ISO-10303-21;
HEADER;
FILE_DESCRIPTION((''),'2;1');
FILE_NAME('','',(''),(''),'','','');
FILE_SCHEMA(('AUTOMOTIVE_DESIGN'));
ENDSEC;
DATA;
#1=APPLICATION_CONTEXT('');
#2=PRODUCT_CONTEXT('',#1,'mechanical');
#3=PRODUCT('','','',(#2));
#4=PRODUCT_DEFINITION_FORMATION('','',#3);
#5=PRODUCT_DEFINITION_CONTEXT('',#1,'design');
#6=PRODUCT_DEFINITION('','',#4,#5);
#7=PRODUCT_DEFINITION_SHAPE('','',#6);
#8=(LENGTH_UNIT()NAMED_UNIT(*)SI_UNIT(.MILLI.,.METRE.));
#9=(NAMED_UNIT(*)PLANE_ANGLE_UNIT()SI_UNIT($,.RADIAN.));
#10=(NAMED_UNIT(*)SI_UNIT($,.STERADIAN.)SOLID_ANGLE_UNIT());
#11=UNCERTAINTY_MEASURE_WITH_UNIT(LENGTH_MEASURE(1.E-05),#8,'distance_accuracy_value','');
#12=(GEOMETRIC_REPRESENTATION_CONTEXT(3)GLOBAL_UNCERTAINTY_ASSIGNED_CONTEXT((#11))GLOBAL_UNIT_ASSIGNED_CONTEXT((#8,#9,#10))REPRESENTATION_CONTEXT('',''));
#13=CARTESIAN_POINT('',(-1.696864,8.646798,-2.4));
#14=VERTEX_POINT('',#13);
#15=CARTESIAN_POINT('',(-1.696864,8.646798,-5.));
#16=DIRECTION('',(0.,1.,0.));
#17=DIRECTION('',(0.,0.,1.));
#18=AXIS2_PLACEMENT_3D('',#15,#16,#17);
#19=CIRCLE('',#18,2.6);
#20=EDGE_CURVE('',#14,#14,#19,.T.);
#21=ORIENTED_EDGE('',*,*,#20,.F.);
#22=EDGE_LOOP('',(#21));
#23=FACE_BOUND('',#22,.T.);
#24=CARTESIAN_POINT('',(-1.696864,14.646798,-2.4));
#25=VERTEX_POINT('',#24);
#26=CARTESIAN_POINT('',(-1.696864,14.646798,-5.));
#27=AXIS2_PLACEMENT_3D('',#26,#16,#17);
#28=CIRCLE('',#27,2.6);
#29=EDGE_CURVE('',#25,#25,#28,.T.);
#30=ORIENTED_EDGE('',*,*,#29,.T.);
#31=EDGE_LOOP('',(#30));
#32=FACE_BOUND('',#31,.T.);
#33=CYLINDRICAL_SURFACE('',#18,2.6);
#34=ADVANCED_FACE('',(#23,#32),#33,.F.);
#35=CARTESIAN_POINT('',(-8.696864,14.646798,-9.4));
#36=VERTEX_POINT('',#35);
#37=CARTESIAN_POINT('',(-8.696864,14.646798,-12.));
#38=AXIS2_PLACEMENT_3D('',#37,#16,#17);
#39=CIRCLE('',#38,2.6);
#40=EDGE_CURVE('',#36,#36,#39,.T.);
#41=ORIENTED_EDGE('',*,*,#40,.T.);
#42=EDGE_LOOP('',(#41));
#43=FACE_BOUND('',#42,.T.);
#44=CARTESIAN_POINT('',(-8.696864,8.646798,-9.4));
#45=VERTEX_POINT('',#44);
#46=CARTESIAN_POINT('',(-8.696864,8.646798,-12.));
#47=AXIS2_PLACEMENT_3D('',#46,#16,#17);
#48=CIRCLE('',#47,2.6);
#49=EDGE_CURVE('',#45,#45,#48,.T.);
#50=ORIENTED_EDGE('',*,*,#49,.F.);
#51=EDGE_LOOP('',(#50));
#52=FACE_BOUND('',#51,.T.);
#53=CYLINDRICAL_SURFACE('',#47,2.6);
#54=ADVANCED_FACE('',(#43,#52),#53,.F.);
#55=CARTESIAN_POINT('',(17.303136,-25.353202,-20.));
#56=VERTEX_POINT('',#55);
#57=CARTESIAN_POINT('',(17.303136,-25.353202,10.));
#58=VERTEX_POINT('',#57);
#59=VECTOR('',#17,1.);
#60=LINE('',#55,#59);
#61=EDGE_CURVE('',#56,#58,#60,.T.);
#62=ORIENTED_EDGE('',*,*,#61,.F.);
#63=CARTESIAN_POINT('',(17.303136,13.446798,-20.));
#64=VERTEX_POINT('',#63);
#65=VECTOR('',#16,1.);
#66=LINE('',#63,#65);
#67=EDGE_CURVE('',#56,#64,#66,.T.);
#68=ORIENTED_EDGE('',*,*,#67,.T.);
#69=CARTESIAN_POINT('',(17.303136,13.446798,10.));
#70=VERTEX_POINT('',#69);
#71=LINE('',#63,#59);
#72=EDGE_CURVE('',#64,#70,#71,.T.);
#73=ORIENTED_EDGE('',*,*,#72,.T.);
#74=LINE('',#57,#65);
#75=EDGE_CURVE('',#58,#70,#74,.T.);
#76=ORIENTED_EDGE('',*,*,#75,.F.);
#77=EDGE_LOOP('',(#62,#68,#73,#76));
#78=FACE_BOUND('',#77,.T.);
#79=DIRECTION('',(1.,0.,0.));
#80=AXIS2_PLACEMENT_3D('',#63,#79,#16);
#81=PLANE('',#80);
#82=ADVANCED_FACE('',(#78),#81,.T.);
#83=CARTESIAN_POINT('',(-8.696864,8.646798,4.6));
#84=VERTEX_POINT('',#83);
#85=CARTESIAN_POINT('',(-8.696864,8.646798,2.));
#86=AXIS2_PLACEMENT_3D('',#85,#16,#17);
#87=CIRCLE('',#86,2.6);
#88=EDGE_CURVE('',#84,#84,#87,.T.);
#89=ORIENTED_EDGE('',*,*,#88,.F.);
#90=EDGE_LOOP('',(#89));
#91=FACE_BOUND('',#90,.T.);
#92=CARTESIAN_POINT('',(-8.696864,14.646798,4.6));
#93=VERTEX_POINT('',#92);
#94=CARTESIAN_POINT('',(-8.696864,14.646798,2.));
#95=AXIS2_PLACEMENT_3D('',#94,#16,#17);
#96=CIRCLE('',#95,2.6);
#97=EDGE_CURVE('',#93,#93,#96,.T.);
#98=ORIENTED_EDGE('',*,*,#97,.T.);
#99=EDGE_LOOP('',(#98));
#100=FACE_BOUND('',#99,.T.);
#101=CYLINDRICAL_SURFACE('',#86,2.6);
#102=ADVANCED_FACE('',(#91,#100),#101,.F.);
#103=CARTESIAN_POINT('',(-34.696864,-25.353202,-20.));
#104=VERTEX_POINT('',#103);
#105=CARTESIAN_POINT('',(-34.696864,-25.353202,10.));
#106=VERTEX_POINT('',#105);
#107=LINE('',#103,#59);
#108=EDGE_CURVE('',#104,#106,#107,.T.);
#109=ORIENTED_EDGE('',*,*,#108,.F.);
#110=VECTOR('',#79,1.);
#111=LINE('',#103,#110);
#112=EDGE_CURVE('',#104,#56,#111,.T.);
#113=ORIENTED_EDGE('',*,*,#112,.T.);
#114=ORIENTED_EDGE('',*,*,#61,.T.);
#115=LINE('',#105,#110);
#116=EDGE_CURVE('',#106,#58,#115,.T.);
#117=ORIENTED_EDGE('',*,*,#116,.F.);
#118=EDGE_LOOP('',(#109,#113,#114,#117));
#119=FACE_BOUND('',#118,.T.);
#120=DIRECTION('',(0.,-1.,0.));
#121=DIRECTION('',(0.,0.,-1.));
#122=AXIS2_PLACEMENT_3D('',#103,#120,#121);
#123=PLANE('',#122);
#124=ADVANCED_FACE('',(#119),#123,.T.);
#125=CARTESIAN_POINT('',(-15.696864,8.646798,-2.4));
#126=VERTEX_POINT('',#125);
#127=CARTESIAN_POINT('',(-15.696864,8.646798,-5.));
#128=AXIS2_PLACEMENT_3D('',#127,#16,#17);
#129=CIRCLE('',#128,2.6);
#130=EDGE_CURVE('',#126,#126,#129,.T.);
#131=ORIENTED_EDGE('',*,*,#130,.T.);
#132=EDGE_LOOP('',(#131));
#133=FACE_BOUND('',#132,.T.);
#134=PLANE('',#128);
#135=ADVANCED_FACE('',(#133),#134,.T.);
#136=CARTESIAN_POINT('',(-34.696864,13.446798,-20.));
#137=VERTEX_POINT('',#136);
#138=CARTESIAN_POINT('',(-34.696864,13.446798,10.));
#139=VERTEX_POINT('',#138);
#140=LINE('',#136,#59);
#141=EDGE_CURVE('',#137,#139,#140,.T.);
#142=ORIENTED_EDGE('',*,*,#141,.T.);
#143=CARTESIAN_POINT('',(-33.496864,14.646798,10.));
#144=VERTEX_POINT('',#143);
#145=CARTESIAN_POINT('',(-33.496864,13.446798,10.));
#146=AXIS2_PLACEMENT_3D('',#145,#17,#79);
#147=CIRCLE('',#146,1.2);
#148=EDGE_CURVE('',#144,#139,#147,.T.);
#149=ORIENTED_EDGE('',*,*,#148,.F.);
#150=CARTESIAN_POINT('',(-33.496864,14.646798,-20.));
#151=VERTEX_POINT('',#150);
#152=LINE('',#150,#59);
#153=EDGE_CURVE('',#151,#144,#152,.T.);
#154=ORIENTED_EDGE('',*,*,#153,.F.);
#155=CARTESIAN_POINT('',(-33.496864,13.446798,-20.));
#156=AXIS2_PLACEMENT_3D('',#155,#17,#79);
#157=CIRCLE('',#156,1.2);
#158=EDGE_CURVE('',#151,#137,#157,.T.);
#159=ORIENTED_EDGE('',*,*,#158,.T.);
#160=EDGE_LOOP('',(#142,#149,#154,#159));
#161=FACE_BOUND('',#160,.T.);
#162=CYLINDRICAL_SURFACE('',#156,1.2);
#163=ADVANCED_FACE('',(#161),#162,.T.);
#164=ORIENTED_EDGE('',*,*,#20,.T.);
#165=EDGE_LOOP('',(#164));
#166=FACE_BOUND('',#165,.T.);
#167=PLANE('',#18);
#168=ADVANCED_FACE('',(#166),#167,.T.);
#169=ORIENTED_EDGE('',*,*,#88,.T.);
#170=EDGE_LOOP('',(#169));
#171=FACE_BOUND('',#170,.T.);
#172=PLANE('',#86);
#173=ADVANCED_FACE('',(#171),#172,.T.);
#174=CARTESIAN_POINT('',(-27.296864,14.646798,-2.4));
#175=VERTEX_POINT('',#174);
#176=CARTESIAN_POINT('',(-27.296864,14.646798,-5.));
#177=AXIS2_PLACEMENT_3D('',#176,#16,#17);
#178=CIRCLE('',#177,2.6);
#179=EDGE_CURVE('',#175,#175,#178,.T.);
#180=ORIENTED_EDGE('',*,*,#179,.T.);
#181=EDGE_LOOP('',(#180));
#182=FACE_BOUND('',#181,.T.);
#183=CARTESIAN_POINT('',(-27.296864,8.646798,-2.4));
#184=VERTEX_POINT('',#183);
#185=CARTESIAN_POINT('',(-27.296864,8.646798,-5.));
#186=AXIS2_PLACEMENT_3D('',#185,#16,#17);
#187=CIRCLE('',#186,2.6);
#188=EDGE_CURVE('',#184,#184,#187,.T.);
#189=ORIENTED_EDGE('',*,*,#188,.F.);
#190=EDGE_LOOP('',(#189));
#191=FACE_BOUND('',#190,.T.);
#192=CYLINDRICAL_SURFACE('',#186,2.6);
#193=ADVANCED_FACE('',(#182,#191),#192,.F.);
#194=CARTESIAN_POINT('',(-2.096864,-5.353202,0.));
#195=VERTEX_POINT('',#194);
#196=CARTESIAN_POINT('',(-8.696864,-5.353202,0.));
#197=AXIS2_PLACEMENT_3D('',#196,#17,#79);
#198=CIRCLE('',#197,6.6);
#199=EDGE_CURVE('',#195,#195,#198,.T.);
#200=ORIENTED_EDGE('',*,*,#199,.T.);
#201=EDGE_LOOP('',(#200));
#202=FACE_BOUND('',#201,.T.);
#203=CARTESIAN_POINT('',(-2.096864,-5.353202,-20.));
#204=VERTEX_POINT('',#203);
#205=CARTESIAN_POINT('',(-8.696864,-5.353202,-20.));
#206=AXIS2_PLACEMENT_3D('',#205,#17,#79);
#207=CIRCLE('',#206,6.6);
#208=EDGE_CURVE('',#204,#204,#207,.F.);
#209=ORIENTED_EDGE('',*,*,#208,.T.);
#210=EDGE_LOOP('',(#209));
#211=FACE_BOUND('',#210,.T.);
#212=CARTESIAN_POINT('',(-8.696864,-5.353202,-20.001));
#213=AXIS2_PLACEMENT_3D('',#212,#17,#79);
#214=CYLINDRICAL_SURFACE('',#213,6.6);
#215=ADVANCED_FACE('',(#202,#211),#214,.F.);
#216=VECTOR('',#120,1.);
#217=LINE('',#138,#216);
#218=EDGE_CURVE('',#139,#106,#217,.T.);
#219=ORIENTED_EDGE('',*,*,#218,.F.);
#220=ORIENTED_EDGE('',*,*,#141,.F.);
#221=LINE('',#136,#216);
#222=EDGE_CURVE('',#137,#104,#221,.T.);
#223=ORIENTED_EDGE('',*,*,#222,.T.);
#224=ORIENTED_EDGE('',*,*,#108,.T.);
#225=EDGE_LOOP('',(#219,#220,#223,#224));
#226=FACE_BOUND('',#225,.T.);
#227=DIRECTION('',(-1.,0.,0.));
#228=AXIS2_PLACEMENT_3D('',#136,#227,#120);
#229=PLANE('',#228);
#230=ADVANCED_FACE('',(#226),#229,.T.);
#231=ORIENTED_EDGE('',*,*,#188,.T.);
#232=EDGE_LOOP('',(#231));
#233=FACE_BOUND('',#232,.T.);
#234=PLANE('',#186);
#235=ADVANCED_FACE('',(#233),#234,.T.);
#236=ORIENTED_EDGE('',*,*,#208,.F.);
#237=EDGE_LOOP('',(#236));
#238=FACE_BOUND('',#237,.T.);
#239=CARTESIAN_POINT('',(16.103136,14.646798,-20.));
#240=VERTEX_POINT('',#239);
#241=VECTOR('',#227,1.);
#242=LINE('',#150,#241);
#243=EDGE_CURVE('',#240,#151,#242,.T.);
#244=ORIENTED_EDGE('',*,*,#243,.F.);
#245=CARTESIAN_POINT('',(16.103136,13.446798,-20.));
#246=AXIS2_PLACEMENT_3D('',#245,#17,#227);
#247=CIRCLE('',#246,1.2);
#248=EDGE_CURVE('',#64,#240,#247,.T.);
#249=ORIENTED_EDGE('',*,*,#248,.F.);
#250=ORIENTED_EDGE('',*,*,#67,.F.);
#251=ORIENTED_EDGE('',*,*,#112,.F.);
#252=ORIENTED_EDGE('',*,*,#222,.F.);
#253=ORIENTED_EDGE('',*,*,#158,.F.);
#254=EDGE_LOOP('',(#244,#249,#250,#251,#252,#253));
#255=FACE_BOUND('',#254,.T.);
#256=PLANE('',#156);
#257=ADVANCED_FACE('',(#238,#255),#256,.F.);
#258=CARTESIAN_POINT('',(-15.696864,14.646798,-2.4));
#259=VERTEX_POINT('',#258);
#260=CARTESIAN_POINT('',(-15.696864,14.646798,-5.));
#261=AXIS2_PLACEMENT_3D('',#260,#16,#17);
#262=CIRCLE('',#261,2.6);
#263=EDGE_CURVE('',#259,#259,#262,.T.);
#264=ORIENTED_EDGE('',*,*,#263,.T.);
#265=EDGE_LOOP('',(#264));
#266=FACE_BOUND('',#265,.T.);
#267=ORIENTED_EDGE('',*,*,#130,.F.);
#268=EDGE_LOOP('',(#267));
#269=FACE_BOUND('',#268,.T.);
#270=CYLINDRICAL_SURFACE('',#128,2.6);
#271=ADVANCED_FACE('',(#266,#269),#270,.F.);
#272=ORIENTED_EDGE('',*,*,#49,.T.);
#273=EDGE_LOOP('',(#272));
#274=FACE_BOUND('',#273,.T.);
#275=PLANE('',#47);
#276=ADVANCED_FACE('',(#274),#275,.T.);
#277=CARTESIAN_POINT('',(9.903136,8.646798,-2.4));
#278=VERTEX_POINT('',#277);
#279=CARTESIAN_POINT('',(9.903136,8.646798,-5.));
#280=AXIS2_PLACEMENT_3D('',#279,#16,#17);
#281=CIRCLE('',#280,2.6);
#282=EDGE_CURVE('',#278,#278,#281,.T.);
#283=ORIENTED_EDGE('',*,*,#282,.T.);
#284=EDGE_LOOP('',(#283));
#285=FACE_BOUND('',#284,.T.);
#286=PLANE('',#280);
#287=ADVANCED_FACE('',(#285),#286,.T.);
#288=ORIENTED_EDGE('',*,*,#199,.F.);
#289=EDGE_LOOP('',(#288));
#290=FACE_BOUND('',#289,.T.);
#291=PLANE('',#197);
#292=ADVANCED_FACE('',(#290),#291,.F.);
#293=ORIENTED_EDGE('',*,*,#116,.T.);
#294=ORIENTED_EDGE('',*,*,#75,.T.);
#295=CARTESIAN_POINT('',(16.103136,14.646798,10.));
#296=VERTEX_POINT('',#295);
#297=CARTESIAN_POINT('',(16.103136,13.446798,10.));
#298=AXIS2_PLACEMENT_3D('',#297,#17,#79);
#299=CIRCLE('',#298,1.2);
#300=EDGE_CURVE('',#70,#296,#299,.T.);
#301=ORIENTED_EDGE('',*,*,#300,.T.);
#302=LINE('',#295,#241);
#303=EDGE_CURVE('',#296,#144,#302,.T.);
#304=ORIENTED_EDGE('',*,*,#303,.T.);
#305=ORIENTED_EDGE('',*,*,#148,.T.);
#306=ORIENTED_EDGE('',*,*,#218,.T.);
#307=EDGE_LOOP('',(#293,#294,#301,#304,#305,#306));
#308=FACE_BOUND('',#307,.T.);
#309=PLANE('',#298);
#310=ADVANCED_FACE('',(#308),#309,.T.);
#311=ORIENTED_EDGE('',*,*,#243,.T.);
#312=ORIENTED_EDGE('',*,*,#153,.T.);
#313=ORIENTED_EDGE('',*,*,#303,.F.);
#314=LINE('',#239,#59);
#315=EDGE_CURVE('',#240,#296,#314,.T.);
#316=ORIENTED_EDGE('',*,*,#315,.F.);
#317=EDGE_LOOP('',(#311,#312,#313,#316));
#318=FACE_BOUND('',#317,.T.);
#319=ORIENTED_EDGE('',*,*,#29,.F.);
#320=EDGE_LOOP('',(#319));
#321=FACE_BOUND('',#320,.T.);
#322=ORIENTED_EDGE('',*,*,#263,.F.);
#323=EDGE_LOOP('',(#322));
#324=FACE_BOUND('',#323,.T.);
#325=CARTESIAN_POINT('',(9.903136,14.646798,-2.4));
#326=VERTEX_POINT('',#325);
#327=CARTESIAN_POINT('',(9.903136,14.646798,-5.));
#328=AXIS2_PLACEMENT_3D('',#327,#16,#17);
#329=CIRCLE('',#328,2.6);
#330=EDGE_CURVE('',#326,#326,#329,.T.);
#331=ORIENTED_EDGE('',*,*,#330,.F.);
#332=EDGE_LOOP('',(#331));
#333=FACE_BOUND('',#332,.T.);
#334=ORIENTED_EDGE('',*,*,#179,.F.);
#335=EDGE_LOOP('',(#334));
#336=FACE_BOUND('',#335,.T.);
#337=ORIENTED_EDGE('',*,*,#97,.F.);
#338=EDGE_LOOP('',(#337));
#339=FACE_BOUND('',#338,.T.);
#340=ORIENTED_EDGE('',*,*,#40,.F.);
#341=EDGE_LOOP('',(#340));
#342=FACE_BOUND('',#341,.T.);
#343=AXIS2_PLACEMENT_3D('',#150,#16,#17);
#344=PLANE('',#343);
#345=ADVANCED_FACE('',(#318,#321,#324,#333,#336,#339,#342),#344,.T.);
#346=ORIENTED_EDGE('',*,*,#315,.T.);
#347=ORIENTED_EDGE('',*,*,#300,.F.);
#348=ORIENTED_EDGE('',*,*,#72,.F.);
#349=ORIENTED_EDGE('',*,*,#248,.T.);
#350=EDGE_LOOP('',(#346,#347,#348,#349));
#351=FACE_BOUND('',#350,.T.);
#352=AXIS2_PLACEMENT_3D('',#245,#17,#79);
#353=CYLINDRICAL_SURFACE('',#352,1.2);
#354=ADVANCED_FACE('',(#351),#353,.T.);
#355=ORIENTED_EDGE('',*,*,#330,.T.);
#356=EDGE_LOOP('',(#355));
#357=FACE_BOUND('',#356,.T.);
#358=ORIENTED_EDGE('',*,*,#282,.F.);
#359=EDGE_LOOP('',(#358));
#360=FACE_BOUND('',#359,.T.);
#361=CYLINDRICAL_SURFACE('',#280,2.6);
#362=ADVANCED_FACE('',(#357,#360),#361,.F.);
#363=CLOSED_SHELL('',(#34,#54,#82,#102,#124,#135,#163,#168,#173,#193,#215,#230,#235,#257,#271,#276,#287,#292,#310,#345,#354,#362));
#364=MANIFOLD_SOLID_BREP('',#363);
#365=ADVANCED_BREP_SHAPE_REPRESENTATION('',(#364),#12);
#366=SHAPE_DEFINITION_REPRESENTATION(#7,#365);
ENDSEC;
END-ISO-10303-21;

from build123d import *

# Parameters (mm, degrees)
BOSS_EXTRUDE1_DEPTH = 20
BOSS_EXTRUDE2_START = 10
BOSS_EXTRUDE2_DEPTH = 10
SKETCH4_R           = 2.6
CUT_EXTRUDE2_DEPTH  = 6
CUT_EXTRUDE3_REACH  = 49.399
SKETCH2_R           = 6.6


with BuildPart() as part:
    # Sketch1 → Boss-Extrude1 (new body)
    with BuildSketch(Plane.XY):
        with BuildLine():
            Line((-33.49686368, 14.646798017), (16.10313632, 14.646798017))
            ThreePointArc((16.10313632, 14.646798017), (16.951664458, 14.295326155), (17.30313632, 13.446798017))
            Line((17.30313632, 13.446798017), (17.30313632, -25.353201983))
            Line((17.30313632, -25.353201983), (-34.69686368, -25.353201983))
            Line((-34.69686368, -25.353201983), (-34.69686368, 13.446798017))
            ThreePointArc((-34.69686368, 13.446798017), (-34.345391817, 14.295326155), (-33.49686368, 14.646798017))
        make_face()
    extrude(amount=-BOSS_EXTRUDE1_DEPTH)

    # Sketch3 → Boss-Extrude2 (add)
    with BuildSketch(Plane.XY.offset(BOSS_EXTRUDE2_START)):
        with BuildLine():
            Line((17.30313632, -25.353201983), (17.30313632, 13.446798017))
            ThreePointArc((17.30313632, 13.446798017), (16.951664458, 14.295326155), (16.10313632, 14.646798017))
            Line((16.10313632, 14.646798017), (-33.49686368, 14.646798017))
            ThreePointArc((-33.49686368, 14.646798017), (-34.345391817, 14.295326155), (-34.69686368, 13.446798017))
            Line((-34.69686368, 13.446798017), (-34.69686368, -25.353201983))
            Line((-34.69686368, -25.353201983), (17.30313632, -25.353201983))
        make_face()
    extrude(amount=-BOSS_EXTRUDE2_DEPTH)

    # Sketch4 → Cut-Extrude2 (cut)
    with BuildSketch(Plane(origin=(0, 14.646798017, 0), x_dir=(1, 0, 0), z_dir=(0, 1, 0))):
        with Locations(Location((-27.29686368, 5, 0), (0, 0, 270))):
            Circle(SKETCH4_R)
        with Locations(Location((-15.69686368, 5, 0), (0, 0, 270))):
            Circle(SKETCH4_R)
        with Locations(Location((-8.69686368, 12, 0), (0, 0, 270))):
            Circle(SKETCH4_R)
        with Locations(Location((-8.69686368, -2, 0), (0, 0, 270))):
            Circle(SKETCH4_R)
        with Locations(Location((-1.69686368, 5, 0), (0, 0, 270))):
            Circle(SKETCH4_R)
        with Locations(Location((9.90313632, 5, 0), (0, 0, 270))):
            Circle(SKETCH4_R)
    extrude(amount=-CUT_EXTRUDE2_DEPTH, mode=Mode.SUBTRACT)

    # Sketch2 → Cut-Extrude3 (cut, up to next)
    with BuildSketch(Plane.XY, mode=Mode.PRIVATE) as cut_extrude3_sk1:
        with Locations((-8.69686368, -5.353201983)):
            Circle(SKETCH2_R)
    cut_extrude3_tool1 = extrude(cut_extrude3_sk1.sketch, amount=-CUT_EXTRUDE3_REACH, mode=Mode.PRIVATE) & part.part
    add(cut_extrude3_tool1.solids().sort_by_distance((-8.696864, -5.353202, 0))[0], mode=Mode.SUBTRACT)


solid = part.part
